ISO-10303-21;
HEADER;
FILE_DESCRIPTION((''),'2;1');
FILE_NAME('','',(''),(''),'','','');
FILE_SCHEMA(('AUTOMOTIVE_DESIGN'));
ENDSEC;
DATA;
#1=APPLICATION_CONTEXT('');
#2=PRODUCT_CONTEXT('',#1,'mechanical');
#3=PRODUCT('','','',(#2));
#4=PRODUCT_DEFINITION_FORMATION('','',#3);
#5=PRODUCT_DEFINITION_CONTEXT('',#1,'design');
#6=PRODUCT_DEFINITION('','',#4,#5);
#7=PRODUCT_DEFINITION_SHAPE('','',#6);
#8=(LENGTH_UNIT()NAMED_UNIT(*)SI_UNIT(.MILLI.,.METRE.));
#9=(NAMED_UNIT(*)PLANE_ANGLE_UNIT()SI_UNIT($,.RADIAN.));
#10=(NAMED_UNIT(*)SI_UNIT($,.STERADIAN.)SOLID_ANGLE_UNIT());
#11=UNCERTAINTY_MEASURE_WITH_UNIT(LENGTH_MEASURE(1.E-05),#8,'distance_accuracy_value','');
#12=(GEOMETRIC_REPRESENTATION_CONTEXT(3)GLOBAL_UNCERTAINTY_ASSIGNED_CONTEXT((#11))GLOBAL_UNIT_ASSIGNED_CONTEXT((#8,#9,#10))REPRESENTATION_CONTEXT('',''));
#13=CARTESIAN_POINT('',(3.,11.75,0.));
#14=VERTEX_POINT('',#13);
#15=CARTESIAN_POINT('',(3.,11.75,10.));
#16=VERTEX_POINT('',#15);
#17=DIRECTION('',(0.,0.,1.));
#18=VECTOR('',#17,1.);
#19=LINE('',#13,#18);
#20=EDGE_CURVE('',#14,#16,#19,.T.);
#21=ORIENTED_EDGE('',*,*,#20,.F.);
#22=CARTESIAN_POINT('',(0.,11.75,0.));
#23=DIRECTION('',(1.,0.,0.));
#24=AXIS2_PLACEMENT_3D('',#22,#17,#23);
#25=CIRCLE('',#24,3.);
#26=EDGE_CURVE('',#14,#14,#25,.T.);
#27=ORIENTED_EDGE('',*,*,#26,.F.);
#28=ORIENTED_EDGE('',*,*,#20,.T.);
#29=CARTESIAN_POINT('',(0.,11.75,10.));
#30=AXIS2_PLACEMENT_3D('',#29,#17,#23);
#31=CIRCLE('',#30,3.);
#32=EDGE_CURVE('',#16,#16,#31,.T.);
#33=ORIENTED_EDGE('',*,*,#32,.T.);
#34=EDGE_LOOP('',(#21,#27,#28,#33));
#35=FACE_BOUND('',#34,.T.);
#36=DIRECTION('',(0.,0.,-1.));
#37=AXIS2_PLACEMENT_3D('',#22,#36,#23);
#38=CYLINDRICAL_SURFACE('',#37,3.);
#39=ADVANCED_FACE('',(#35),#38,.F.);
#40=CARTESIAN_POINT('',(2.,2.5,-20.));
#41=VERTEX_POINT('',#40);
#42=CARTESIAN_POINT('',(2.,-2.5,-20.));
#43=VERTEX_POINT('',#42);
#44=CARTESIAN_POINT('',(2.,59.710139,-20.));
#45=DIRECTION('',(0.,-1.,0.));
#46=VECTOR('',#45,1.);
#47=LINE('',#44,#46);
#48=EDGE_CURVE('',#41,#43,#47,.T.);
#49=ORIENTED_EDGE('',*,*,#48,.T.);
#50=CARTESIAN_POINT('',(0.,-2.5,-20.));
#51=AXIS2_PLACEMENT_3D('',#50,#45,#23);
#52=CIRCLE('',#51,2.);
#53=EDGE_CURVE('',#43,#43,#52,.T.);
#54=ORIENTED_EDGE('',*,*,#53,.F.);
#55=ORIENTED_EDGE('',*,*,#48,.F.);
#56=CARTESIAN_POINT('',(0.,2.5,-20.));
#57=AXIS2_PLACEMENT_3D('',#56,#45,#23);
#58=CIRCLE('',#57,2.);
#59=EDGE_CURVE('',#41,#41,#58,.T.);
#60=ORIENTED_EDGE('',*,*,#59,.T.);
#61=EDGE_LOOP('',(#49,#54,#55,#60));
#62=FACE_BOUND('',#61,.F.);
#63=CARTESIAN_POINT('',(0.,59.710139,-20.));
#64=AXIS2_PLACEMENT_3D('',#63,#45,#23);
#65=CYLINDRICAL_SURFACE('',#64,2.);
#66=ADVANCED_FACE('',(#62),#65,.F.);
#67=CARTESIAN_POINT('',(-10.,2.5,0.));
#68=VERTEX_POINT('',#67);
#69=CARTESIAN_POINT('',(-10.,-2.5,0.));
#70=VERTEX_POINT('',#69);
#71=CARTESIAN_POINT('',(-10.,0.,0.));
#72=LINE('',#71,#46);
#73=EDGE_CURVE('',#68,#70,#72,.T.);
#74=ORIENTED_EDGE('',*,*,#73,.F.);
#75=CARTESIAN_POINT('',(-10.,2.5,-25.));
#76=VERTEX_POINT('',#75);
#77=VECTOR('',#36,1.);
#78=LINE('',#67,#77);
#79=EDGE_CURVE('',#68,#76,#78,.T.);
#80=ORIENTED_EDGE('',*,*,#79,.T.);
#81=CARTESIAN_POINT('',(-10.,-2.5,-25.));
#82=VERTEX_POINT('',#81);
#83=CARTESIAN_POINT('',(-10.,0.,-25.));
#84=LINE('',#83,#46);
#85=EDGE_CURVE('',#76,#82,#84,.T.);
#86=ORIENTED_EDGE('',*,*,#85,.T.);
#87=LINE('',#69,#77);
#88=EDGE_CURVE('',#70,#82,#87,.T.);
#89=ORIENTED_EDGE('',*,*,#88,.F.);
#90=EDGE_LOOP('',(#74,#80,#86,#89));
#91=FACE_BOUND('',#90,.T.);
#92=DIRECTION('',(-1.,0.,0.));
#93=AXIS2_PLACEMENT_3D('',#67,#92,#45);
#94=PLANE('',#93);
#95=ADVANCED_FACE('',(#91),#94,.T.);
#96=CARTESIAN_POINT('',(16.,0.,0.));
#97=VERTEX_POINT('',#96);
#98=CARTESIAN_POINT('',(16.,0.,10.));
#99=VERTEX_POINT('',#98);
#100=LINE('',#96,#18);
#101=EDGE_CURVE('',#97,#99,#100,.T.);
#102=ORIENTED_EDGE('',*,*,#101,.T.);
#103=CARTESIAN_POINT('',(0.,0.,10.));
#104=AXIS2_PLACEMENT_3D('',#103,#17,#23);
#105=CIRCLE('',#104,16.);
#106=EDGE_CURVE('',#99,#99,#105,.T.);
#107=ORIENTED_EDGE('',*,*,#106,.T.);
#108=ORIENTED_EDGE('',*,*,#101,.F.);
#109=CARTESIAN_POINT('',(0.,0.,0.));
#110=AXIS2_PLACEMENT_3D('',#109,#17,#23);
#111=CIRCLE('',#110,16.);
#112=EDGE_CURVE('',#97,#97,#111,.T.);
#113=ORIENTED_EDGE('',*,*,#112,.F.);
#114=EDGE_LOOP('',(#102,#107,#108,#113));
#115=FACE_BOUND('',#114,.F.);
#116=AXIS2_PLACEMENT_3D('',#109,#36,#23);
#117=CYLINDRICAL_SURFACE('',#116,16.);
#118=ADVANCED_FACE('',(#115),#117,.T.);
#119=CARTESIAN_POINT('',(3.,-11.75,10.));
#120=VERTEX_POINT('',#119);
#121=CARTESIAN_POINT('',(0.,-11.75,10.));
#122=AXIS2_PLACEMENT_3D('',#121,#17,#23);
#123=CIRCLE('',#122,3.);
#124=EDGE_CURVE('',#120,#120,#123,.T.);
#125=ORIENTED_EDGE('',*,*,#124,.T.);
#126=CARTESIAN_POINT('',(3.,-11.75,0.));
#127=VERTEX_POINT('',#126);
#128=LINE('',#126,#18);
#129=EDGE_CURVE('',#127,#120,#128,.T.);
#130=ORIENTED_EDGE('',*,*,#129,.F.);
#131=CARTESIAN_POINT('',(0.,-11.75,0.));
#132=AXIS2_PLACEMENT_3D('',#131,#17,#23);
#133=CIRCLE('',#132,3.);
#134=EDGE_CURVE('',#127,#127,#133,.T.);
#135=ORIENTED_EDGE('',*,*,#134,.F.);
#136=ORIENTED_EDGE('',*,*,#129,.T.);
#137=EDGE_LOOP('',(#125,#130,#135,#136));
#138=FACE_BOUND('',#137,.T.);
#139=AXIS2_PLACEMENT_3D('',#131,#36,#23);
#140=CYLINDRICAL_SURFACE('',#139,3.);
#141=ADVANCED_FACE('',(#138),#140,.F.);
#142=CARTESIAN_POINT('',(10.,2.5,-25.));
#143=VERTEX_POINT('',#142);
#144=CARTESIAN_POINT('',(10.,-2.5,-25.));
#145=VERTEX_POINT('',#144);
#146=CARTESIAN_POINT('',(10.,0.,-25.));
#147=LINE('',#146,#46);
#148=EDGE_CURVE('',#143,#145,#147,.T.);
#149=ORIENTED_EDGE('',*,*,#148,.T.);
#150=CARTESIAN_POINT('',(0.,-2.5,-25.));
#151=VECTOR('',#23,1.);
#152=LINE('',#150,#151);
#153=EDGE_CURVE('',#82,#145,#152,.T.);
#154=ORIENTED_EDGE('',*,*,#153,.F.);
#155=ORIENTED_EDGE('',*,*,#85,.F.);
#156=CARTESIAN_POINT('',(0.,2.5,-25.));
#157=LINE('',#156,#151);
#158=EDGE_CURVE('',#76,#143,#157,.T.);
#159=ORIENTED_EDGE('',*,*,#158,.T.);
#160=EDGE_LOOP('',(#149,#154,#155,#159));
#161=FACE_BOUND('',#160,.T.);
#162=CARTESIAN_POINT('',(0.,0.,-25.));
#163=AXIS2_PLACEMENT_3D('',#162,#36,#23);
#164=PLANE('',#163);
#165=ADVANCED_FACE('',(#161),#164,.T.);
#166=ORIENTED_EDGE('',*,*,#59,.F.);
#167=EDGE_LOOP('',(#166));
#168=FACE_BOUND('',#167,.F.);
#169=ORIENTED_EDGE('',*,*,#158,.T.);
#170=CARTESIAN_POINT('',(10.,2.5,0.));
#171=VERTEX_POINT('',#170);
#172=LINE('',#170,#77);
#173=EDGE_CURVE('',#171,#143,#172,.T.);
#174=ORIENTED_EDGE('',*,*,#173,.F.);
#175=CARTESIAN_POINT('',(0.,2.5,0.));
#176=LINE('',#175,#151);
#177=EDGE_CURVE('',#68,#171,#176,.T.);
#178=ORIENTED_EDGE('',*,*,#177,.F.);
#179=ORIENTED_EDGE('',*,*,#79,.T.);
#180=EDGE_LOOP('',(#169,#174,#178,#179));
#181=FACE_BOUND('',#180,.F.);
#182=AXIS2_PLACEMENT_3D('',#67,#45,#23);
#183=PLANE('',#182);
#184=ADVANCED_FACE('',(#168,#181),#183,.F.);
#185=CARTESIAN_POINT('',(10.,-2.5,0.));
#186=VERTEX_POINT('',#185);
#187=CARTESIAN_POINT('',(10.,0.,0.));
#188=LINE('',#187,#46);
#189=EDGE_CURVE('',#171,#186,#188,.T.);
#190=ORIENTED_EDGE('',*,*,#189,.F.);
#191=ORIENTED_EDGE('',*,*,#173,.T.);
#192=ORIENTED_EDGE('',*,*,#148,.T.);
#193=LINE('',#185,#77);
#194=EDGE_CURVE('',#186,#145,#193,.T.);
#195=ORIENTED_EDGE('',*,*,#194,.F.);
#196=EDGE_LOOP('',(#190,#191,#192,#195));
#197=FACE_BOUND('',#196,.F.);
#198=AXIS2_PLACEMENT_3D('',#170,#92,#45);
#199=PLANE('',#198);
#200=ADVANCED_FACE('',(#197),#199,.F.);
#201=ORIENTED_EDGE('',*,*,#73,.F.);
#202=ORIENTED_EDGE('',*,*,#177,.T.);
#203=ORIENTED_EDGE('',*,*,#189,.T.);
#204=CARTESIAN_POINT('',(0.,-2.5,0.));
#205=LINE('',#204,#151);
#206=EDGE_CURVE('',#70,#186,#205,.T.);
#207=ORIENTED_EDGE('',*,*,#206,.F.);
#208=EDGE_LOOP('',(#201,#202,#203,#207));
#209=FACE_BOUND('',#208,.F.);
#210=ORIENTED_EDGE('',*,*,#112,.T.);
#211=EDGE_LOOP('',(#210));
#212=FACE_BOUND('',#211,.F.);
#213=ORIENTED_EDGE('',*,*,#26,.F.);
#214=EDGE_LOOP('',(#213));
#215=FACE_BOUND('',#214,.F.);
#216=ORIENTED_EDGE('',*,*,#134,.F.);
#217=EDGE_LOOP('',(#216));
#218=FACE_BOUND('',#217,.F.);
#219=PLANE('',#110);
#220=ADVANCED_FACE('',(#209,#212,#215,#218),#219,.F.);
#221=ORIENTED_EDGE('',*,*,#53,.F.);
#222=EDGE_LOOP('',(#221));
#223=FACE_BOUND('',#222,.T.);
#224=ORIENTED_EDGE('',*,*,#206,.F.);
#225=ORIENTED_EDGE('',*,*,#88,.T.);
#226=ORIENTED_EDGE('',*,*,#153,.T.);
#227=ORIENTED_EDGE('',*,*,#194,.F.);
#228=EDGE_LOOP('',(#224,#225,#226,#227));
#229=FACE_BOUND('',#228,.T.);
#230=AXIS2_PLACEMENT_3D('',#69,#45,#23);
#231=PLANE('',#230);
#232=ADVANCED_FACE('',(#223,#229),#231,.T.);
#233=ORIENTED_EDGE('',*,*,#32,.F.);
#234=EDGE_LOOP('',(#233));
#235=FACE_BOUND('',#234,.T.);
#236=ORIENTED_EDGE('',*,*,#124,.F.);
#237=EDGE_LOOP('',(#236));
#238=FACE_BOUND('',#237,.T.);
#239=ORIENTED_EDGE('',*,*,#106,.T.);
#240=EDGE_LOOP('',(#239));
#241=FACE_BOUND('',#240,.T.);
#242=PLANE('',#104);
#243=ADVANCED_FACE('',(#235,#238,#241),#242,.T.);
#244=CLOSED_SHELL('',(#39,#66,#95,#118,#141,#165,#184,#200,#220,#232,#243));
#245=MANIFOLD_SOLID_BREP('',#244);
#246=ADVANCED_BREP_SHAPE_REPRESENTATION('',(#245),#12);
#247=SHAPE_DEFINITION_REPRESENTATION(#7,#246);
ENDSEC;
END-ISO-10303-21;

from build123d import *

# Parameters (mm, degrees)
F0_R     = 16
F0_R_2   = 3
F1_DEPTH = 10
F2_W     = 20
F2_H     = 5
F3_DEPTH = 25
F5_D     = 4


with BuildPart() as f1:
    # F0 (on Top) → F1 (new body)
    with BuildSketch(Plane.XY):
        Circle(F0_R)
        with Locations((0, -11.75)):
            Circle(F0_R_2, mode=Mode.SUBTRACT)
        with Locations((0, 11.75)):
            Circle(F0_R_2, mode=Mode.SUBTRACT)
    extrude(amount=F1_DEPTH)

    # F2 (on face) → F3 (join)
    with BuildSketch(Plane(origin=(0, 0, 0), x_dir=(1, 0, 0), z_dir=(0, 0, -1))):
        Rectangle(F2_W, F2_H)
    extrude(amount=F3_DEPTH)

    # F5 (through all)
    with Locations(Plane(origin=(0, 2.5, 0), x_dir=(-1, 0, 0), z_dir=(0, 1, 0))):
        with Locations((0, -20)):
            Hole(F5_D / 2)


solid = f1.part
